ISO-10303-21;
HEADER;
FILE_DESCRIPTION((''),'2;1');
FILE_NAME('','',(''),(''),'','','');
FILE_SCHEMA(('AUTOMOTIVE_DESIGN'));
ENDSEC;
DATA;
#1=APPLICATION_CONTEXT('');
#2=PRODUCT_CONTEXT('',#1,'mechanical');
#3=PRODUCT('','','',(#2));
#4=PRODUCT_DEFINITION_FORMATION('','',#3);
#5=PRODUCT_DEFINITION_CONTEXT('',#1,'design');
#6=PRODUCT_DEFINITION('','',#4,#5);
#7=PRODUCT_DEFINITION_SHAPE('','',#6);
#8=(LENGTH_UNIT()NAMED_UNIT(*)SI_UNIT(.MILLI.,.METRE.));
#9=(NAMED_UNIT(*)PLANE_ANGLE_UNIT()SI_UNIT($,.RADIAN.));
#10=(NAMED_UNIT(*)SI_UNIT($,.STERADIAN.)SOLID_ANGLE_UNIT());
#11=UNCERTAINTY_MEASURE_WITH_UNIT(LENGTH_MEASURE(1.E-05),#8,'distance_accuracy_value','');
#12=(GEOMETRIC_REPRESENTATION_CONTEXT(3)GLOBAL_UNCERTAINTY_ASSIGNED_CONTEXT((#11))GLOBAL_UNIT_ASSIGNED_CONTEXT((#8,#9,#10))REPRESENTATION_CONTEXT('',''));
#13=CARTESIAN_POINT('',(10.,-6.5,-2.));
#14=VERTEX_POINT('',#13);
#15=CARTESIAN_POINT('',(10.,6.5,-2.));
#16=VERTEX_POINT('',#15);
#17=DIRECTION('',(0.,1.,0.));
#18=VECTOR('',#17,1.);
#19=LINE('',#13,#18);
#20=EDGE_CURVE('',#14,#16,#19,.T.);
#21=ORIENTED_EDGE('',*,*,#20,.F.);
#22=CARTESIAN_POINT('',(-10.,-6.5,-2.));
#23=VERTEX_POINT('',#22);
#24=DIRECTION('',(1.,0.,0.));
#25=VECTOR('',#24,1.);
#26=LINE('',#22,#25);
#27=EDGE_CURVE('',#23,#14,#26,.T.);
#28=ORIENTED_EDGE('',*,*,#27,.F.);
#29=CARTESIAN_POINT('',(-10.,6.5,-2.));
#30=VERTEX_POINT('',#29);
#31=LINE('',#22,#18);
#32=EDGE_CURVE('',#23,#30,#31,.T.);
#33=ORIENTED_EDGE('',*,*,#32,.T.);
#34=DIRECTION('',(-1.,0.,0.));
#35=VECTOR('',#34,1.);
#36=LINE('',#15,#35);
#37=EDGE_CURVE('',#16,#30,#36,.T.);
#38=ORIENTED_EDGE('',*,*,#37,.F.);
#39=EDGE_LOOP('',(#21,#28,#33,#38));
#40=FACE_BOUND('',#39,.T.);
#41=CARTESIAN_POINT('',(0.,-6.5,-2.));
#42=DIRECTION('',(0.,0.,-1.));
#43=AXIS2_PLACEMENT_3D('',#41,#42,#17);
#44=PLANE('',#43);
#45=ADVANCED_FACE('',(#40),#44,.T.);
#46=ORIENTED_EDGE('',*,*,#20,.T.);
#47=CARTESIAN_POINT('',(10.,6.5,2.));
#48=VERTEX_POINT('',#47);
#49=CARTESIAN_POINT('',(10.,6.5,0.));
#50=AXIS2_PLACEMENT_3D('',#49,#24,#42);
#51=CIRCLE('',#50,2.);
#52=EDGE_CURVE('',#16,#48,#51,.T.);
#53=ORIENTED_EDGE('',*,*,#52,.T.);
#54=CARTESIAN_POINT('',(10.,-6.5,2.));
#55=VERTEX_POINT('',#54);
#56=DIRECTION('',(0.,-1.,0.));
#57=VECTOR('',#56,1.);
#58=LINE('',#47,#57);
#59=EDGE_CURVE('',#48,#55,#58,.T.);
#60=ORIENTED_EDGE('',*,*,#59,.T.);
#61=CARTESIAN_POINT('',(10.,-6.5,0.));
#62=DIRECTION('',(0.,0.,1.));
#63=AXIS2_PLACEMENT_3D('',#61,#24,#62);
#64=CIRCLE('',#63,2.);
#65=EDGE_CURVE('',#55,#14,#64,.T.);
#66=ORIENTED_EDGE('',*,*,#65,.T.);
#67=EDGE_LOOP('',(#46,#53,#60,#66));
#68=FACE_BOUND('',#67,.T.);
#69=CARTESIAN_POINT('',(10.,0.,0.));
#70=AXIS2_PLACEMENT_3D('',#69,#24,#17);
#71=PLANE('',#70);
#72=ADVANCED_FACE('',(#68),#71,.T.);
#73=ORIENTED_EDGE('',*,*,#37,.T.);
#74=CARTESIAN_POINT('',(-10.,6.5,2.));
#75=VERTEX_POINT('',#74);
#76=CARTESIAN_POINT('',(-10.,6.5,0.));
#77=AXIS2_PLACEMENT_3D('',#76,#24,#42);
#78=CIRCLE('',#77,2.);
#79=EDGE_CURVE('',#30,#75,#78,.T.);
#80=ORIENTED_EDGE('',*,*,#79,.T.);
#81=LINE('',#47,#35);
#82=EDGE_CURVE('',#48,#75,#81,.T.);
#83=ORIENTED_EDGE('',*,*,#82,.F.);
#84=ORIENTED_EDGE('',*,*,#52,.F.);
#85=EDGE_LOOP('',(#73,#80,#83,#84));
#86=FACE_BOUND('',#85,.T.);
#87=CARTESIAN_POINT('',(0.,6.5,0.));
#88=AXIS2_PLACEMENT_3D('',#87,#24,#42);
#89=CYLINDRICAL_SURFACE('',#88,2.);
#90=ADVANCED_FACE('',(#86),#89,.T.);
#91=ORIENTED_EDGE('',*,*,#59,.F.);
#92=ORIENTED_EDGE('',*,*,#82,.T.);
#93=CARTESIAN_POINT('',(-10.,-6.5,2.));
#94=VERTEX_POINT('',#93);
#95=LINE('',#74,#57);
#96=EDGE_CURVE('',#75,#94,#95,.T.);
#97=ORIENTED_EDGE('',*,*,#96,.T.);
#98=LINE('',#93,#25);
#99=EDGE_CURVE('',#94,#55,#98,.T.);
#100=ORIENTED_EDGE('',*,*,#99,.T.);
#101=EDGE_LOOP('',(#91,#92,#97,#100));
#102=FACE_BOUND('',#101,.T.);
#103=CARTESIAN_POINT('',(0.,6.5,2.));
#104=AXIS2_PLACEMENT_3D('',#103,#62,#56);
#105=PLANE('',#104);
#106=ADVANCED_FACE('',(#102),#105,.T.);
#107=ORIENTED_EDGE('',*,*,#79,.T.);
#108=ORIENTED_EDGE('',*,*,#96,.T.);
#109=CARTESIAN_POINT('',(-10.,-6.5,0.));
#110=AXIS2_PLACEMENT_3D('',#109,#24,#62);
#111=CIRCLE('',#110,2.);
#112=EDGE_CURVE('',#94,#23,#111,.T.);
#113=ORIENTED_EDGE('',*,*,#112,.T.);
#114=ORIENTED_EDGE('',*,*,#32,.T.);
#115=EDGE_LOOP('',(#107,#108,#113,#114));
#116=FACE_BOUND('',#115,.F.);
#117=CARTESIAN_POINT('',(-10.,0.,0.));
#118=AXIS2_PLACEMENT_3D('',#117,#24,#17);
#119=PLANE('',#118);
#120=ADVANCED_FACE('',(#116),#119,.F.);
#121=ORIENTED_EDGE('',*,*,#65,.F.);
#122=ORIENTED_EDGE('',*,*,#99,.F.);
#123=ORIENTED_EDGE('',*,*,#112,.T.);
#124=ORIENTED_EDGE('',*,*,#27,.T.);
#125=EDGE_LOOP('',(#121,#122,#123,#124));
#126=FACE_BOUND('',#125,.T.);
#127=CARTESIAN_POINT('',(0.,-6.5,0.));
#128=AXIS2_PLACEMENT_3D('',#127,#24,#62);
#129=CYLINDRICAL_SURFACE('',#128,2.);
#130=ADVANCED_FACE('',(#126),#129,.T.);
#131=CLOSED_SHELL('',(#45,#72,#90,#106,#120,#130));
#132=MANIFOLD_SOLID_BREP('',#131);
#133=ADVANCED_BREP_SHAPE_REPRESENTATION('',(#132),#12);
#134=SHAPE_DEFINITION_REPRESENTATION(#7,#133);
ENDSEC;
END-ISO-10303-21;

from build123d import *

# Parameters (mm, degrees)
F1_DEPTH = 10


with BuildPart() as f1:
    # F0 (on Right) → F1 (new body, symmetric)
    with BuildSketch(Plane.YZ):
        with BuildLine():
            Line((6.5, 2), (-6.5, 2))
            ThreePointArc((-6.5, 2), (-8.5, 0), (-6.5, -2))
            Line((-6.5, -2), (6.5, -2))
            ThreePointArc((6.5, -2), (8.5, 0), (6.5, 2))
        make_face()
    extrude(amount=F1_DEPTH, both=True)


solid = f1.part
